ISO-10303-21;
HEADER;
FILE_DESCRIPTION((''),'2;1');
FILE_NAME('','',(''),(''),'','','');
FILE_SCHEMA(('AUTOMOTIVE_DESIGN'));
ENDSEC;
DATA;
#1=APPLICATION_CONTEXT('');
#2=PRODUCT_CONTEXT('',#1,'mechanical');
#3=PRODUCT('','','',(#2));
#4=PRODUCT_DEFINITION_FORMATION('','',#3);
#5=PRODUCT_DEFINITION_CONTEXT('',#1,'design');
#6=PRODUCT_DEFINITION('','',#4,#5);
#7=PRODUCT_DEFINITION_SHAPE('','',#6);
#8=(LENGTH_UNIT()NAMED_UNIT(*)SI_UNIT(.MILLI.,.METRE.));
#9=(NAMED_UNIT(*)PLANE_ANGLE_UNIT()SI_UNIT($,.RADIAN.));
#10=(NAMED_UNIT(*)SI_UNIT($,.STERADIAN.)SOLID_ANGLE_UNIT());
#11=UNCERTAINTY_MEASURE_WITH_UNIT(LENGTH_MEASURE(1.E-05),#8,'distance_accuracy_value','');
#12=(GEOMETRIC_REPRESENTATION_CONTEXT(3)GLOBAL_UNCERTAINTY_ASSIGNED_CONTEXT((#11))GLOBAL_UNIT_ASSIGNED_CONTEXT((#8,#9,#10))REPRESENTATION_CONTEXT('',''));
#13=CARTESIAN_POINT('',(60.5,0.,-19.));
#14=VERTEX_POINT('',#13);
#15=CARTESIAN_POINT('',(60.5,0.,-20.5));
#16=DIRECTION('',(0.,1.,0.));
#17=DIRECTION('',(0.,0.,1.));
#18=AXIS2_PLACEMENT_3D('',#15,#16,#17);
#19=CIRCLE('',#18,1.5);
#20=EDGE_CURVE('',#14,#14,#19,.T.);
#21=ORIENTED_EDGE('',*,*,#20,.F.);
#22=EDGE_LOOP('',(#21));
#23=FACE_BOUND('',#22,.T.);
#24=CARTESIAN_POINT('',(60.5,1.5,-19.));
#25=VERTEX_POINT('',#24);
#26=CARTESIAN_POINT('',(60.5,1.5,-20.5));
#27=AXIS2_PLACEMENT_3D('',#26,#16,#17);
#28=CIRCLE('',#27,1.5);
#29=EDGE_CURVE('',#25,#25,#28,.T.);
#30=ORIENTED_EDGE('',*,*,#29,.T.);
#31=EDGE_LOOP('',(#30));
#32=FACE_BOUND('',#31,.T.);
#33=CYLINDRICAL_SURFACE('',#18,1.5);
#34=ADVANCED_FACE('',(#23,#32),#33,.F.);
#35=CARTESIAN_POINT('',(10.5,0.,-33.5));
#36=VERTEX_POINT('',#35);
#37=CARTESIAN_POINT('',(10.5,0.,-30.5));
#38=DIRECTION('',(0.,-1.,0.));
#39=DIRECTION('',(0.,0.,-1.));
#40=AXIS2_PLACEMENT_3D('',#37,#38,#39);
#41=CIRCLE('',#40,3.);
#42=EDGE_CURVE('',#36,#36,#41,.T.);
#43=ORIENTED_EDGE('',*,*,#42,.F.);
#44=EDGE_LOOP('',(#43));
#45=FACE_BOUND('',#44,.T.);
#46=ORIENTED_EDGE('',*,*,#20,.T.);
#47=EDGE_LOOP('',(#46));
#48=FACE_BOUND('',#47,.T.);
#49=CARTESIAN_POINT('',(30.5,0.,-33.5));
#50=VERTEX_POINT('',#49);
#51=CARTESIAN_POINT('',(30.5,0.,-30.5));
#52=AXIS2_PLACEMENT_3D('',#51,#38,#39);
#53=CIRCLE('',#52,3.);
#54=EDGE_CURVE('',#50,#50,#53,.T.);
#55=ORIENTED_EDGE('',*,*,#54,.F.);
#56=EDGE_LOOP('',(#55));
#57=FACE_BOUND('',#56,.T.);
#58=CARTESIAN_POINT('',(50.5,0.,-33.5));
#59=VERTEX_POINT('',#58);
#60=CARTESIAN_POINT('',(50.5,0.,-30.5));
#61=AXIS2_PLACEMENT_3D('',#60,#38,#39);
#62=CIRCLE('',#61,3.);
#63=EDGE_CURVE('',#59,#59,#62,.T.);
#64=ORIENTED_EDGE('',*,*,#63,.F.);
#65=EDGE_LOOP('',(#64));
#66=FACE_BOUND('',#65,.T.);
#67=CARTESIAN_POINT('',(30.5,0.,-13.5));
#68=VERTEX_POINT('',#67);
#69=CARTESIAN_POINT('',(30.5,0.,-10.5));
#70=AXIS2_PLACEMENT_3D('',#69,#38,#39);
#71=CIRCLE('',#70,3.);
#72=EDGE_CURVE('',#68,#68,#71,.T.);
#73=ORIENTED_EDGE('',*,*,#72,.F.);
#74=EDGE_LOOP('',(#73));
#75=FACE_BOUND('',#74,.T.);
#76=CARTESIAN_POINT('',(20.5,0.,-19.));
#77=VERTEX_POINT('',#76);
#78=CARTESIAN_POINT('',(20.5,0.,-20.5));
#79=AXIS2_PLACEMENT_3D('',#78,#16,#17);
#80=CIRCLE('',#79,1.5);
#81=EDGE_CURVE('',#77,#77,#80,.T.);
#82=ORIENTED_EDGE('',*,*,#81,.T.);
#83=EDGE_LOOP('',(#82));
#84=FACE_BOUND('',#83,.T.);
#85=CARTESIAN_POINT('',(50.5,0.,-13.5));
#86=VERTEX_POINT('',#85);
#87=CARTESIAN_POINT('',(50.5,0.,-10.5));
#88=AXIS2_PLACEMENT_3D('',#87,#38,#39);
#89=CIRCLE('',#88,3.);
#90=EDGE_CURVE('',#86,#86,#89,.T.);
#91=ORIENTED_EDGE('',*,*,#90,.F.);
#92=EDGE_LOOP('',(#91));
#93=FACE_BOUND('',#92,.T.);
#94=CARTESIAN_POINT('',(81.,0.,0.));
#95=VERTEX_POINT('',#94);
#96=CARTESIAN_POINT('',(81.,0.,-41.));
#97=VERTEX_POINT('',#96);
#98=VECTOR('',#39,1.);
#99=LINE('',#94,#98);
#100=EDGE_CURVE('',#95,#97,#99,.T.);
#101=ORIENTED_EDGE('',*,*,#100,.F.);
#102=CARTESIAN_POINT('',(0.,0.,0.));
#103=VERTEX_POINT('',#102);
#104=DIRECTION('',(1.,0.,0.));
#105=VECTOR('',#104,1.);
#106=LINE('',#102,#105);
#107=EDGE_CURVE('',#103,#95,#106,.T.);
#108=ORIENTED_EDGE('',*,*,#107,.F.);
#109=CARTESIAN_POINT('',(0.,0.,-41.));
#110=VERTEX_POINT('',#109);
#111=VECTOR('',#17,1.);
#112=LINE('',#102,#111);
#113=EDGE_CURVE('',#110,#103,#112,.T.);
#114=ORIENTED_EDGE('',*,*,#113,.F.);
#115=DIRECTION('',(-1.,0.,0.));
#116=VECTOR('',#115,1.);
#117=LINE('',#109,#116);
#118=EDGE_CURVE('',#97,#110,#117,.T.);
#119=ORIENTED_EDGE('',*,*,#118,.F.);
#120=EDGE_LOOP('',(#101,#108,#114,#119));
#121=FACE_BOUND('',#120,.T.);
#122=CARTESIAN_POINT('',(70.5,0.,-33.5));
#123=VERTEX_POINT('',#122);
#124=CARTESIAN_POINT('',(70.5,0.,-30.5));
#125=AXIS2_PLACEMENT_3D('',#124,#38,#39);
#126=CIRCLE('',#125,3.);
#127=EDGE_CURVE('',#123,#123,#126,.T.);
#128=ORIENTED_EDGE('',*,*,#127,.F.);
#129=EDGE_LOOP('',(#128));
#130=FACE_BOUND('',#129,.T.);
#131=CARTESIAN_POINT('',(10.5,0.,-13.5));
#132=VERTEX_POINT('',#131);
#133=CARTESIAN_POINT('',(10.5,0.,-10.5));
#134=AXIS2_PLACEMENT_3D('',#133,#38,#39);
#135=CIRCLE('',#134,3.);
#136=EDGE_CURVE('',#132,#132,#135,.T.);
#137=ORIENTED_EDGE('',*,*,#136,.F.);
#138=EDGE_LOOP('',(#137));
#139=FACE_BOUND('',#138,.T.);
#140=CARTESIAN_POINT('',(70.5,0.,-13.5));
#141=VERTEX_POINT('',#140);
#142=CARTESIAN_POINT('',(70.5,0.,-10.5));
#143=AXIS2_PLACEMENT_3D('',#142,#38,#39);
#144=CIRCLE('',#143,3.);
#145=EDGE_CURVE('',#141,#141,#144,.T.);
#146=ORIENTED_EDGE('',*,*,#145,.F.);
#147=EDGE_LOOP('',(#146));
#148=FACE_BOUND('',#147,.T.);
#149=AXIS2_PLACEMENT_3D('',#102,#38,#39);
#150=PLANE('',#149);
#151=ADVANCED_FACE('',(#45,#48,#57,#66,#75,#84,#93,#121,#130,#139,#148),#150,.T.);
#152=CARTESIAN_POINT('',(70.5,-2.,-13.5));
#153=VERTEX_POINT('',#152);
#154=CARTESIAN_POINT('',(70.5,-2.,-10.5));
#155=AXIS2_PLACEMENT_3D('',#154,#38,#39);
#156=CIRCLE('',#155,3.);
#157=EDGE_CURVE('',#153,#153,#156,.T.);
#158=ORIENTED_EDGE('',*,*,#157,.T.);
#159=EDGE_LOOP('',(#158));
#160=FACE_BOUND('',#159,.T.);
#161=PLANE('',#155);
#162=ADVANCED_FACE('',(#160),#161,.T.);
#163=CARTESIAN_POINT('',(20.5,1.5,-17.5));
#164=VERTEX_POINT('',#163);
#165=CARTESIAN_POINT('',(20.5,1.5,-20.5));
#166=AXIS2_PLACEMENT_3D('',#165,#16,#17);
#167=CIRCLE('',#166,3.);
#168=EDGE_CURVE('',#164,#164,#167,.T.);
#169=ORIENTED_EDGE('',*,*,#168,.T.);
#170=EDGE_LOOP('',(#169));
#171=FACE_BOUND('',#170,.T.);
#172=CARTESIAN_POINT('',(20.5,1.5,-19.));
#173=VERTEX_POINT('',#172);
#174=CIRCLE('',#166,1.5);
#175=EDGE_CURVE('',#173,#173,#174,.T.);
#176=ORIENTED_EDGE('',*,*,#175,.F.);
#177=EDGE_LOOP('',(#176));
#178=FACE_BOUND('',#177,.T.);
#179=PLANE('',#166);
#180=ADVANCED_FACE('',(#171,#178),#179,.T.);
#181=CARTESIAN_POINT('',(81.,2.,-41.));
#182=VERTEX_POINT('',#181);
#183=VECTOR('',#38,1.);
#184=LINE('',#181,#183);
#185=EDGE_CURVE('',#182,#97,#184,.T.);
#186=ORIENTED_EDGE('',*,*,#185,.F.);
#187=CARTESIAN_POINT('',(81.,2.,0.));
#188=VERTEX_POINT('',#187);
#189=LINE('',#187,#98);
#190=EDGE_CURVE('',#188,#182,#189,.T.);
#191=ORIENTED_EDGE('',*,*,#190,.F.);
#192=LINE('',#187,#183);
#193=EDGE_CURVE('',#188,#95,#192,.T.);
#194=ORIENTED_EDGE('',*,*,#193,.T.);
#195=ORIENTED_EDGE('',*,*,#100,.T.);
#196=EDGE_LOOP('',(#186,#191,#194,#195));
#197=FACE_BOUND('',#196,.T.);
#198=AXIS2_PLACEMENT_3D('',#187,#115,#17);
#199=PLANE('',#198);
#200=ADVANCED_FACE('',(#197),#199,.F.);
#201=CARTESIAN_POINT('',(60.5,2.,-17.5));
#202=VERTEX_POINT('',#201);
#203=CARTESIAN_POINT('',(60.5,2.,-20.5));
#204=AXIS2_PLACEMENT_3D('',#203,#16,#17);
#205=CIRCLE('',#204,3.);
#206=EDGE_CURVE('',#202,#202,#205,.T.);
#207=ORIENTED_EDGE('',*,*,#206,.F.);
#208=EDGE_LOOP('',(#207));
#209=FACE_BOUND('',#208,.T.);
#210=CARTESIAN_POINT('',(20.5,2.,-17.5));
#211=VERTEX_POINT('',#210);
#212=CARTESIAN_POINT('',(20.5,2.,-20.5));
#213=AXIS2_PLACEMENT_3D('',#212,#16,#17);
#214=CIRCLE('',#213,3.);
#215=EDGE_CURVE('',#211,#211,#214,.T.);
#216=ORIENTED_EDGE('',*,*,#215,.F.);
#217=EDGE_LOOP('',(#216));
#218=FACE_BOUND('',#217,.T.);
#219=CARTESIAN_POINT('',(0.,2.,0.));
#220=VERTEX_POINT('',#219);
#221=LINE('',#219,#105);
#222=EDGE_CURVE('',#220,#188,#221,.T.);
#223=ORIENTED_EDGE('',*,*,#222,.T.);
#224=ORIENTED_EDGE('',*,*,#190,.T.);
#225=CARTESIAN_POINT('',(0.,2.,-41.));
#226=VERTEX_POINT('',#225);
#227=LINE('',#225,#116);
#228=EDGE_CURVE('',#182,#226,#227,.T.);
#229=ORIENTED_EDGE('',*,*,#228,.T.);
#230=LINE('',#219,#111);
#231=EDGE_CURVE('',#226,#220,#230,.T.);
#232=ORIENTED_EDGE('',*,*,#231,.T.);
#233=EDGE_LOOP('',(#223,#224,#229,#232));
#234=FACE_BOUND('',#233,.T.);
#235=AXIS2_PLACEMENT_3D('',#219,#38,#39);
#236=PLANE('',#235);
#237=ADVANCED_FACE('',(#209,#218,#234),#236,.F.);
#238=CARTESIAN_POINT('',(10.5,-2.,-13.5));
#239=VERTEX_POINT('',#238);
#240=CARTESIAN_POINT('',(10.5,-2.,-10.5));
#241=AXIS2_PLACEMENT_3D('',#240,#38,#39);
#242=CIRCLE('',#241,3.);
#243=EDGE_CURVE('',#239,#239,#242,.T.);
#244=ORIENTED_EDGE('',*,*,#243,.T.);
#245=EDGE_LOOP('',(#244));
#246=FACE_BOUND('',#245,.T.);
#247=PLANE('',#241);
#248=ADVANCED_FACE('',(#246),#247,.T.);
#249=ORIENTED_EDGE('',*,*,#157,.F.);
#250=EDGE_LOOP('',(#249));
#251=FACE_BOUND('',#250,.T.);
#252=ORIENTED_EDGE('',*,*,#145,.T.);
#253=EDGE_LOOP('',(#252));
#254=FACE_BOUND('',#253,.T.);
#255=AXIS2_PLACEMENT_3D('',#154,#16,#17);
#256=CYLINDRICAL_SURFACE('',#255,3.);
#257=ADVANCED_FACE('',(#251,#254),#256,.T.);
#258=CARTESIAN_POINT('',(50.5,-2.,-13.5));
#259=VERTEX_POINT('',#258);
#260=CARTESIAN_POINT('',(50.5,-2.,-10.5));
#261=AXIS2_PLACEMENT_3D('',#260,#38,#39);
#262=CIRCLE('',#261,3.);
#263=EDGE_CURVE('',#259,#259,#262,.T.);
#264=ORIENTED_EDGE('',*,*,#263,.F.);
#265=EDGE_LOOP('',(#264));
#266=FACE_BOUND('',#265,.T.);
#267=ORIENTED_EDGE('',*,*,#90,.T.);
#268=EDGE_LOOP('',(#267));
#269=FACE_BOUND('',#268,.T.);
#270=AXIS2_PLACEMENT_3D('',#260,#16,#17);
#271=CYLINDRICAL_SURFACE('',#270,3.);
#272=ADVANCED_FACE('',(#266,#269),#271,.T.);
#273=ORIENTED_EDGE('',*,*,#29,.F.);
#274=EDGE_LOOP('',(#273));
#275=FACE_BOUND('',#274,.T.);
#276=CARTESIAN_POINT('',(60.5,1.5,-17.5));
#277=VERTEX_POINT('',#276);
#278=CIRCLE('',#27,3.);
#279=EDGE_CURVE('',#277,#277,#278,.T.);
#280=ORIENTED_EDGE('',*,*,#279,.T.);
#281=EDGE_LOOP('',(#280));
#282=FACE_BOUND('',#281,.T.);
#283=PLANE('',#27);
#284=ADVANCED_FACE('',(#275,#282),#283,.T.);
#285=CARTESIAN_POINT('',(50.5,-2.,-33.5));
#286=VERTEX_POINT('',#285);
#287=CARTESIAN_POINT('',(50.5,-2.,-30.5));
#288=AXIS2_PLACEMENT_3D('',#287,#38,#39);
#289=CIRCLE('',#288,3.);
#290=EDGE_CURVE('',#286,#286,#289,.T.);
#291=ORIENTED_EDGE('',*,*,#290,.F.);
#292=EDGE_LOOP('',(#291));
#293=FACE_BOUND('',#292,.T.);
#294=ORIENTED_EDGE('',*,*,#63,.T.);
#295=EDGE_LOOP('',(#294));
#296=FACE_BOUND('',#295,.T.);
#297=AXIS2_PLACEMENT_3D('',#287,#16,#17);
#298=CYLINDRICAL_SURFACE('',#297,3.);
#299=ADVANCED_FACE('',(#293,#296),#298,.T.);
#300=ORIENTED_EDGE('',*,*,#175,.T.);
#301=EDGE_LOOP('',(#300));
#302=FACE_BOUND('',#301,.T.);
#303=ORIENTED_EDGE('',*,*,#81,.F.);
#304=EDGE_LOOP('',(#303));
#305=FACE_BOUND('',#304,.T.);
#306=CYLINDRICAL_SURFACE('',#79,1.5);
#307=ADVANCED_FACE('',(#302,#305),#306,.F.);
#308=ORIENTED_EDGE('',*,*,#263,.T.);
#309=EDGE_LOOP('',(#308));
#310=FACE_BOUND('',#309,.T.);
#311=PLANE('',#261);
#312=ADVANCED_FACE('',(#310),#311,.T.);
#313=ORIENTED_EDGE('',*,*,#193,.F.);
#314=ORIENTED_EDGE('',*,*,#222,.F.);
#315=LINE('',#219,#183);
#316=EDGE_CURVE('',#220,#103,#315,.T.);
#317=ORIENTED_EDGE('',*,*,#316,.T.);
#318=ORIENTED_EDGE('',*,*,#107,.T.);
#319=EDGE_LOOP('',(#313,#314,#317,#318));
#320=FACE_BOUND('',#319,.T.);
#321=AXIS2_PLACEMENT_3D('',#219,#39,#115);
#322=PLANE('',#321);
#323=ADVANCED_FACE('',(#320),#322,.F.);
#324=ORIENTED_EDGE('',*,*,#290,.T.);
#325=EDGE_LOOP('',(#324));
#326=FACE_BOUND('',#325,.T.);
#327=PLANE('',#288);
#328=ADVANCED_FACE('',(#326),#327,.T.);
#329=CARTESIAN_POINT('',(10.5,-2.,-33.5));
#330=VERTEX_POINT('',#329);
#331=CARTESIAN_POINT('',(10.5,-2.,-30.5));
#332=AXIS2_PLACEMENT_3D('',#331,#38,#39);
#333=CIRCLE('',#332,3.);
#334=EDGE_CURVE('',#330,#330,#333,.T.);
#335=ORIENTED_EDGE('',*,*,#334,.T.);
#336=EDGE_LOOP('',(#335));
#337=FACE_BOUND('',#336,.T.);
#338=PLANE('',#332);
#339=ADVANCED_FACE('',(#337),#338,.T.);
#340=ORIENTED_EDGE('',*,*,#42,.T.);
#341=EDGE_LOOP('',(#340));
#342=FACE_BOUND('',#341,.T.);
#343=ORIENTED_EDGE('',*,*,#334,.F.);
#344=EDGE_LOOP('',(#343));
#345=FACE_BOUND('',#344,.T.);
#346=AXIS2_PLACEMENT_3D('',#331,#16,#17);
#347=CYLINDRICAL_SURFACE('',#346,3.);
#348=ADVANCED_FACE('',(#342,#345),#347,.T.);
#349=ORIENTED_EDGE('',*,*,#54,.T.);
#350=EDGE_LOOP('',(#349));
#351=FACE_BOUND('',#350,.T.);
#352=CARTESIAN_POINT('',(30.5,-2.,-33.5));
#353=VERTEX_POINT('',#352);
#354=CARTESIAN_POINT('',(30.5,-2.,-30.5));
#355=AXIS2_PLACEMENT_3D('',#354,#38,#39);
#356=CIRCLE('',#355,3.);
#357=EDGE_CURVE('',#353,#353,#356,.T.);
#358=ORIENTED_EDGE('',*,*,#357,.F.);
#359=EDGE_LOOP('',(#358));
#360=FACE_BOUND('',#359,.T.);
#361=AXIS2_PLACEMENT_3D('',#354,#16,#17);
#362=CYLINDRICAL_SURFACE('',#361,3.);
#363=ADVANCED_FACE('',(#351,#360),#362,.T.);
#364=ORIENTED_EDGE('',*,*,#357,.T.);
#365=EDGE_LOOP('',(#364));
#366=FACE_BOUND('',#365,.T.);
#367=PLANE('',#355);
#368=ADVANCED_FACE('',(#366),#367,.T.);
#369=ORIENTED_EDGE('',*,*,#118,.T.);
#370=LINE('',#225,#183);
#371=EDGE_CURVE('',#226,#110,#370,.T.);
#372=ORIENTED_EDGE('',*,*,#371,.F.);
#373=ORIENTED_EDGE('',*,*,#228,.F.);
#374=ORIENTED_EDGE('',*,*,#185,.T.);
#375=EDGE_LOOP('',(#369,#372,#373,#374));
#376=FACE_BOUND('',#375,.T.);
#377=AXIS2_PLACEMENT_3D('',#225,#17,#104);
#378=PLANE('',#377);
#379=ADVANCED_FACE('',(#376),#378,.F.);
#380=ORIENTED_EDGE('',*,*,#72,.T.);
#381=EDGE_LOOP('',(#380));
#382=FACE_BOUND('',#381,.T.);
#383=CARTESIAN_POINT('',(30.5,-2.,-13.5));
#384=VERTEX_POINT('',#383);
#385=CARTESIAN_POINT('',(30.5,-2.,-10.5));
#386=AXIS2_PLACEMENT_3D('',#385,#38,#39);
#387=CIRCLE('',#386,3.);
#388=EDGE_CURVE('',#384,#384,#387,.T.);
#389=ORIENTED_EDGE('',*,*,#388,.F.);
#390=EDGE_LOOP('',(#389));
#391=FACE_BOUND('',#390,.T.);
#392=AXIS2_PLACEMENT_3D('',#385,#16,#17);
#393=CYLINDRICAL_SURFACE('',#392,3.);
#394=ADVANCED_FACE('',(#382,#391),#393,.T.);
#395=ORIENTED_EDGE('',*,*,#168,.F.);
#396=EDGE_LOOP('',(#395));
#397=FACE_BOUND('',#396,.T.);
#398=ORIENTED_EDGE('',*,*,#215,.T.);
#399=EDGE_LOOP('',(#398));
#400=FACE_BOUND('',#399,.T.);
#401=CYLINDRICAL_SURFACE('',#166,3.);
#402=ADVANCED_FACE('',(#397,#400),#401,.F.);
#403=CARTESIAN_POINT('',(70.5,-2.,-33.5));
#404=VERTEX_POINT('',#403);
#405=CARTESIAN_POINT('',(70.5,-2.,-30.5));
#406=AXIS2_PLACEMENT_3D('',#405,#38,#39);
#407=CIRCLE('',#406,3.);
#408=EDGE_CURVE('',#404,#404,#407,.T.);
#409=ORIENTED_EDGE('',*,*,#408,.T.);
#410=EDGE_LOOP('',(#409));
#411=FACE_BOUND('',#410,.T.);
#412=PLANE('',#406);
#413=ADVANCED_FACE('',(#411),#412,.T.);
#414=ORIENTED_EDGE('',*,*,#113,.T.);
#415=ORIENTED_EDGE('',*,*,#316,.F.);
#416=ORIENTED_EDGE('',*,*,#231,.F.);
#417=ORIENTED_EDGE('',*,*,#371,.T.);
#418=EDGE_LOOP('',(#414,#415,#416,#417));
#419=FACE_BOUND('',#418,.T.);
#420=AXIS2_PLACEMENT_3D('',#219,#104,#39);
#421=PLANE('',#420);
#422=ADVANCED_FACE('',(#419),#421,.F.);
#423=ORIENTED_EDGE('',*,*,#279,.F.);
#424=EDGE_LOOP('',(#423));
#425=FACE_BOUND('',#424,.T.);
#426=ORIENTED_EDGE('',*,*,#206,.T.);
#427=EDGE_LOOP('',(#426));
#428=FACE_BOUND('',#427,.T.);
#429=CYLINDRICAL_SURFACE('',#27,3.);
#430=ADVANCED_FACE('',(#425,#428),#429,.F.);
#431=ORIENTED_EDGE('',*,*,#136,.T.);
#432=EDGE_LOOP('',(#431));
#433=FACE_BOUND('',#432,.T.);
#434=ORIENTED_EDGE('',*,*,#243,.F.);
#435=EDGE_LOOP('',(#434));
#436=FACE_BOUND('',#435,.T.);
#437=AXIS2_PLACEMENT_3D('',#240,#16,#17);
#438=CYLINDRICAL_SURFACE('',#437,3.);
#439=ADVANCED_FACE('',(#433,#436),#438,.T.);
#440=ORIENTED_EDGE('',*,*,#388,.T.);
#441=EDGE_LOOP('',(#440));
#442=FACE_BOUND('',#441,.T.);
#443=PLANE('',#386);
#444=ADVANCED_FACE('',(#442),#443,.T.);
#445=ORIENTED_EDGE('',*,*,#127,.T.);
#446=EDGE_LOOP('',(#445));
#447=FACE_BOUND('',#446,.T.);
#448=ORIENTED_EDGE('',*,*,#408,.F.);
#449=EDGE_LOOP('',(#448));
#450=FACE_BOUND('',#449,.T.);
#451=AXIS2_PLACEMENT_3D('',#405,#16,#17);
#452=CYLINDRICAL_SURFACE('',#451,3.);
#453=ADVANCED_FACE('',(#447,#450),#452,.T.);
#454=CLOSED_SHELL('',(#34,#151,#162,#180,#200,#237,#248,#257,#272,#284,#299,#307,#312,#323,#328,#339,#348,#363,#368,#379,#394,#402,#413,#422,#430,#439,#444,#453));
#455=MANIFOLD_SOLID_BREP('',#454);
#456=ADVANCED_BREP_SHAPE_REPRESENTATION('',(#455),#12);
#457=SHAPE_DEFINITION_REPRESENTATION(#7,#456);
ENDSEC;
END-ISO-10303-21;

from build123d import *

# Parameters (mm, degrees)
SKETCH1_W           = 81
SKETCH1_H           = 41
BOSS_EXTRUDE1_DEPTH = 2
SKETCH2_R           = 3
CUT_EXTRUDE1_DEPTH  = 0.5
SKETCH3_R           = 1.5
CUT_EXTRUDE2_DEPTH  = 91.797852398
SKETCH4_R           = 3
BOSS_EXTRUDE2_DEPTH = 2


with BuildPart() as part:
    # Sketch1 → Boss-Extrude1 (new body)
    with BuildSketch(Plane(origin=(0, 0, 0), x_dir=(1, 0, 0), z_dir=(0, 1, 0))):
        with Locations((40.5, 20.5)):
            Rectangle(SKETCH1_W, SKETCH1_H)
    extrude(amount=BOSS_EXTRUDE1_DEPTH)

    # Sketch2 → Cut-Extrude1 (cut)
    with BuildSketch(Plane(origin=(0, 2, 0), x_dir=(1, 0, 0), z_dir=(0, 1, 0))):
        with Locations(Location((20.5, 20.5, 0), (0, 0, 270))):
            Circle(SKETCH2_R)
        with Locations(Location((60.5, 20.5, 0), (0, 0, 270))):
            Circle(SKETCH2_R)
    extrude(amount=-CUT_EXTRUDE1_DEPTH, mode=Mode.SUBTRACT)

    # Sketch3 → Cut-Extrude2 (cut, through all)
    with BuildSketch(Plane(origin=(0, 1.5, 0), x_dir=(1, 0, 0), z_dir=(0, 1, 0))):
        with Locations(Location((20.5, 20.5, 0), (0, 0, 270))):
            Circle(SKETCH3_R)
        with Locations(Location((60.5, 20.5, 0), (0, 0, 270))):
            Circle(SKETCH3_R)
    extrude(amount=-CUT_EXTRUDE2_DEPTH, mode=Mode.SUBTRACT)

    # Sketch4 → Boss-Extrude2 (add)
    with BuildSketch(Plane.XZ):
        with Locations(Location((70.5, -30.5, 0), (0, 0, 270))):
            Circle(SKETCH4_R)
        with Locations(Location((50.5, -30.5, 0), (0, 0, 270))):
            Circle(SKETCH4_R)
        with Locations(Location((30.5, -30.5, 0), (0, 0, 270))):
            Circle(SKETCH4_R)
        with Locations(Location((10.5, -30.5, 0), (0, 0, 270))):
            Circle(SKETCH4_R)
        with Locations(Location((50.5, -10.5, 0), (0, 0, 270))):
            Circle(SKETCH4_R)
        with Locations(Location((30.5, -10.5, 0), (0, 0, 270))):
            Circle(SKETCH4_R)
        with Locations(Location((10.5, -10.5, 0), (0, 0, 270))):
            Circle(SKETCH4_R)
        with Locations(Location((70.5, -10.5, 0), (0, 0, 270))):
            Circle(SKETCH4_R)
    extrude(amount=BOSS_EXTRUDE2_DEPTH)


solid = part.part
